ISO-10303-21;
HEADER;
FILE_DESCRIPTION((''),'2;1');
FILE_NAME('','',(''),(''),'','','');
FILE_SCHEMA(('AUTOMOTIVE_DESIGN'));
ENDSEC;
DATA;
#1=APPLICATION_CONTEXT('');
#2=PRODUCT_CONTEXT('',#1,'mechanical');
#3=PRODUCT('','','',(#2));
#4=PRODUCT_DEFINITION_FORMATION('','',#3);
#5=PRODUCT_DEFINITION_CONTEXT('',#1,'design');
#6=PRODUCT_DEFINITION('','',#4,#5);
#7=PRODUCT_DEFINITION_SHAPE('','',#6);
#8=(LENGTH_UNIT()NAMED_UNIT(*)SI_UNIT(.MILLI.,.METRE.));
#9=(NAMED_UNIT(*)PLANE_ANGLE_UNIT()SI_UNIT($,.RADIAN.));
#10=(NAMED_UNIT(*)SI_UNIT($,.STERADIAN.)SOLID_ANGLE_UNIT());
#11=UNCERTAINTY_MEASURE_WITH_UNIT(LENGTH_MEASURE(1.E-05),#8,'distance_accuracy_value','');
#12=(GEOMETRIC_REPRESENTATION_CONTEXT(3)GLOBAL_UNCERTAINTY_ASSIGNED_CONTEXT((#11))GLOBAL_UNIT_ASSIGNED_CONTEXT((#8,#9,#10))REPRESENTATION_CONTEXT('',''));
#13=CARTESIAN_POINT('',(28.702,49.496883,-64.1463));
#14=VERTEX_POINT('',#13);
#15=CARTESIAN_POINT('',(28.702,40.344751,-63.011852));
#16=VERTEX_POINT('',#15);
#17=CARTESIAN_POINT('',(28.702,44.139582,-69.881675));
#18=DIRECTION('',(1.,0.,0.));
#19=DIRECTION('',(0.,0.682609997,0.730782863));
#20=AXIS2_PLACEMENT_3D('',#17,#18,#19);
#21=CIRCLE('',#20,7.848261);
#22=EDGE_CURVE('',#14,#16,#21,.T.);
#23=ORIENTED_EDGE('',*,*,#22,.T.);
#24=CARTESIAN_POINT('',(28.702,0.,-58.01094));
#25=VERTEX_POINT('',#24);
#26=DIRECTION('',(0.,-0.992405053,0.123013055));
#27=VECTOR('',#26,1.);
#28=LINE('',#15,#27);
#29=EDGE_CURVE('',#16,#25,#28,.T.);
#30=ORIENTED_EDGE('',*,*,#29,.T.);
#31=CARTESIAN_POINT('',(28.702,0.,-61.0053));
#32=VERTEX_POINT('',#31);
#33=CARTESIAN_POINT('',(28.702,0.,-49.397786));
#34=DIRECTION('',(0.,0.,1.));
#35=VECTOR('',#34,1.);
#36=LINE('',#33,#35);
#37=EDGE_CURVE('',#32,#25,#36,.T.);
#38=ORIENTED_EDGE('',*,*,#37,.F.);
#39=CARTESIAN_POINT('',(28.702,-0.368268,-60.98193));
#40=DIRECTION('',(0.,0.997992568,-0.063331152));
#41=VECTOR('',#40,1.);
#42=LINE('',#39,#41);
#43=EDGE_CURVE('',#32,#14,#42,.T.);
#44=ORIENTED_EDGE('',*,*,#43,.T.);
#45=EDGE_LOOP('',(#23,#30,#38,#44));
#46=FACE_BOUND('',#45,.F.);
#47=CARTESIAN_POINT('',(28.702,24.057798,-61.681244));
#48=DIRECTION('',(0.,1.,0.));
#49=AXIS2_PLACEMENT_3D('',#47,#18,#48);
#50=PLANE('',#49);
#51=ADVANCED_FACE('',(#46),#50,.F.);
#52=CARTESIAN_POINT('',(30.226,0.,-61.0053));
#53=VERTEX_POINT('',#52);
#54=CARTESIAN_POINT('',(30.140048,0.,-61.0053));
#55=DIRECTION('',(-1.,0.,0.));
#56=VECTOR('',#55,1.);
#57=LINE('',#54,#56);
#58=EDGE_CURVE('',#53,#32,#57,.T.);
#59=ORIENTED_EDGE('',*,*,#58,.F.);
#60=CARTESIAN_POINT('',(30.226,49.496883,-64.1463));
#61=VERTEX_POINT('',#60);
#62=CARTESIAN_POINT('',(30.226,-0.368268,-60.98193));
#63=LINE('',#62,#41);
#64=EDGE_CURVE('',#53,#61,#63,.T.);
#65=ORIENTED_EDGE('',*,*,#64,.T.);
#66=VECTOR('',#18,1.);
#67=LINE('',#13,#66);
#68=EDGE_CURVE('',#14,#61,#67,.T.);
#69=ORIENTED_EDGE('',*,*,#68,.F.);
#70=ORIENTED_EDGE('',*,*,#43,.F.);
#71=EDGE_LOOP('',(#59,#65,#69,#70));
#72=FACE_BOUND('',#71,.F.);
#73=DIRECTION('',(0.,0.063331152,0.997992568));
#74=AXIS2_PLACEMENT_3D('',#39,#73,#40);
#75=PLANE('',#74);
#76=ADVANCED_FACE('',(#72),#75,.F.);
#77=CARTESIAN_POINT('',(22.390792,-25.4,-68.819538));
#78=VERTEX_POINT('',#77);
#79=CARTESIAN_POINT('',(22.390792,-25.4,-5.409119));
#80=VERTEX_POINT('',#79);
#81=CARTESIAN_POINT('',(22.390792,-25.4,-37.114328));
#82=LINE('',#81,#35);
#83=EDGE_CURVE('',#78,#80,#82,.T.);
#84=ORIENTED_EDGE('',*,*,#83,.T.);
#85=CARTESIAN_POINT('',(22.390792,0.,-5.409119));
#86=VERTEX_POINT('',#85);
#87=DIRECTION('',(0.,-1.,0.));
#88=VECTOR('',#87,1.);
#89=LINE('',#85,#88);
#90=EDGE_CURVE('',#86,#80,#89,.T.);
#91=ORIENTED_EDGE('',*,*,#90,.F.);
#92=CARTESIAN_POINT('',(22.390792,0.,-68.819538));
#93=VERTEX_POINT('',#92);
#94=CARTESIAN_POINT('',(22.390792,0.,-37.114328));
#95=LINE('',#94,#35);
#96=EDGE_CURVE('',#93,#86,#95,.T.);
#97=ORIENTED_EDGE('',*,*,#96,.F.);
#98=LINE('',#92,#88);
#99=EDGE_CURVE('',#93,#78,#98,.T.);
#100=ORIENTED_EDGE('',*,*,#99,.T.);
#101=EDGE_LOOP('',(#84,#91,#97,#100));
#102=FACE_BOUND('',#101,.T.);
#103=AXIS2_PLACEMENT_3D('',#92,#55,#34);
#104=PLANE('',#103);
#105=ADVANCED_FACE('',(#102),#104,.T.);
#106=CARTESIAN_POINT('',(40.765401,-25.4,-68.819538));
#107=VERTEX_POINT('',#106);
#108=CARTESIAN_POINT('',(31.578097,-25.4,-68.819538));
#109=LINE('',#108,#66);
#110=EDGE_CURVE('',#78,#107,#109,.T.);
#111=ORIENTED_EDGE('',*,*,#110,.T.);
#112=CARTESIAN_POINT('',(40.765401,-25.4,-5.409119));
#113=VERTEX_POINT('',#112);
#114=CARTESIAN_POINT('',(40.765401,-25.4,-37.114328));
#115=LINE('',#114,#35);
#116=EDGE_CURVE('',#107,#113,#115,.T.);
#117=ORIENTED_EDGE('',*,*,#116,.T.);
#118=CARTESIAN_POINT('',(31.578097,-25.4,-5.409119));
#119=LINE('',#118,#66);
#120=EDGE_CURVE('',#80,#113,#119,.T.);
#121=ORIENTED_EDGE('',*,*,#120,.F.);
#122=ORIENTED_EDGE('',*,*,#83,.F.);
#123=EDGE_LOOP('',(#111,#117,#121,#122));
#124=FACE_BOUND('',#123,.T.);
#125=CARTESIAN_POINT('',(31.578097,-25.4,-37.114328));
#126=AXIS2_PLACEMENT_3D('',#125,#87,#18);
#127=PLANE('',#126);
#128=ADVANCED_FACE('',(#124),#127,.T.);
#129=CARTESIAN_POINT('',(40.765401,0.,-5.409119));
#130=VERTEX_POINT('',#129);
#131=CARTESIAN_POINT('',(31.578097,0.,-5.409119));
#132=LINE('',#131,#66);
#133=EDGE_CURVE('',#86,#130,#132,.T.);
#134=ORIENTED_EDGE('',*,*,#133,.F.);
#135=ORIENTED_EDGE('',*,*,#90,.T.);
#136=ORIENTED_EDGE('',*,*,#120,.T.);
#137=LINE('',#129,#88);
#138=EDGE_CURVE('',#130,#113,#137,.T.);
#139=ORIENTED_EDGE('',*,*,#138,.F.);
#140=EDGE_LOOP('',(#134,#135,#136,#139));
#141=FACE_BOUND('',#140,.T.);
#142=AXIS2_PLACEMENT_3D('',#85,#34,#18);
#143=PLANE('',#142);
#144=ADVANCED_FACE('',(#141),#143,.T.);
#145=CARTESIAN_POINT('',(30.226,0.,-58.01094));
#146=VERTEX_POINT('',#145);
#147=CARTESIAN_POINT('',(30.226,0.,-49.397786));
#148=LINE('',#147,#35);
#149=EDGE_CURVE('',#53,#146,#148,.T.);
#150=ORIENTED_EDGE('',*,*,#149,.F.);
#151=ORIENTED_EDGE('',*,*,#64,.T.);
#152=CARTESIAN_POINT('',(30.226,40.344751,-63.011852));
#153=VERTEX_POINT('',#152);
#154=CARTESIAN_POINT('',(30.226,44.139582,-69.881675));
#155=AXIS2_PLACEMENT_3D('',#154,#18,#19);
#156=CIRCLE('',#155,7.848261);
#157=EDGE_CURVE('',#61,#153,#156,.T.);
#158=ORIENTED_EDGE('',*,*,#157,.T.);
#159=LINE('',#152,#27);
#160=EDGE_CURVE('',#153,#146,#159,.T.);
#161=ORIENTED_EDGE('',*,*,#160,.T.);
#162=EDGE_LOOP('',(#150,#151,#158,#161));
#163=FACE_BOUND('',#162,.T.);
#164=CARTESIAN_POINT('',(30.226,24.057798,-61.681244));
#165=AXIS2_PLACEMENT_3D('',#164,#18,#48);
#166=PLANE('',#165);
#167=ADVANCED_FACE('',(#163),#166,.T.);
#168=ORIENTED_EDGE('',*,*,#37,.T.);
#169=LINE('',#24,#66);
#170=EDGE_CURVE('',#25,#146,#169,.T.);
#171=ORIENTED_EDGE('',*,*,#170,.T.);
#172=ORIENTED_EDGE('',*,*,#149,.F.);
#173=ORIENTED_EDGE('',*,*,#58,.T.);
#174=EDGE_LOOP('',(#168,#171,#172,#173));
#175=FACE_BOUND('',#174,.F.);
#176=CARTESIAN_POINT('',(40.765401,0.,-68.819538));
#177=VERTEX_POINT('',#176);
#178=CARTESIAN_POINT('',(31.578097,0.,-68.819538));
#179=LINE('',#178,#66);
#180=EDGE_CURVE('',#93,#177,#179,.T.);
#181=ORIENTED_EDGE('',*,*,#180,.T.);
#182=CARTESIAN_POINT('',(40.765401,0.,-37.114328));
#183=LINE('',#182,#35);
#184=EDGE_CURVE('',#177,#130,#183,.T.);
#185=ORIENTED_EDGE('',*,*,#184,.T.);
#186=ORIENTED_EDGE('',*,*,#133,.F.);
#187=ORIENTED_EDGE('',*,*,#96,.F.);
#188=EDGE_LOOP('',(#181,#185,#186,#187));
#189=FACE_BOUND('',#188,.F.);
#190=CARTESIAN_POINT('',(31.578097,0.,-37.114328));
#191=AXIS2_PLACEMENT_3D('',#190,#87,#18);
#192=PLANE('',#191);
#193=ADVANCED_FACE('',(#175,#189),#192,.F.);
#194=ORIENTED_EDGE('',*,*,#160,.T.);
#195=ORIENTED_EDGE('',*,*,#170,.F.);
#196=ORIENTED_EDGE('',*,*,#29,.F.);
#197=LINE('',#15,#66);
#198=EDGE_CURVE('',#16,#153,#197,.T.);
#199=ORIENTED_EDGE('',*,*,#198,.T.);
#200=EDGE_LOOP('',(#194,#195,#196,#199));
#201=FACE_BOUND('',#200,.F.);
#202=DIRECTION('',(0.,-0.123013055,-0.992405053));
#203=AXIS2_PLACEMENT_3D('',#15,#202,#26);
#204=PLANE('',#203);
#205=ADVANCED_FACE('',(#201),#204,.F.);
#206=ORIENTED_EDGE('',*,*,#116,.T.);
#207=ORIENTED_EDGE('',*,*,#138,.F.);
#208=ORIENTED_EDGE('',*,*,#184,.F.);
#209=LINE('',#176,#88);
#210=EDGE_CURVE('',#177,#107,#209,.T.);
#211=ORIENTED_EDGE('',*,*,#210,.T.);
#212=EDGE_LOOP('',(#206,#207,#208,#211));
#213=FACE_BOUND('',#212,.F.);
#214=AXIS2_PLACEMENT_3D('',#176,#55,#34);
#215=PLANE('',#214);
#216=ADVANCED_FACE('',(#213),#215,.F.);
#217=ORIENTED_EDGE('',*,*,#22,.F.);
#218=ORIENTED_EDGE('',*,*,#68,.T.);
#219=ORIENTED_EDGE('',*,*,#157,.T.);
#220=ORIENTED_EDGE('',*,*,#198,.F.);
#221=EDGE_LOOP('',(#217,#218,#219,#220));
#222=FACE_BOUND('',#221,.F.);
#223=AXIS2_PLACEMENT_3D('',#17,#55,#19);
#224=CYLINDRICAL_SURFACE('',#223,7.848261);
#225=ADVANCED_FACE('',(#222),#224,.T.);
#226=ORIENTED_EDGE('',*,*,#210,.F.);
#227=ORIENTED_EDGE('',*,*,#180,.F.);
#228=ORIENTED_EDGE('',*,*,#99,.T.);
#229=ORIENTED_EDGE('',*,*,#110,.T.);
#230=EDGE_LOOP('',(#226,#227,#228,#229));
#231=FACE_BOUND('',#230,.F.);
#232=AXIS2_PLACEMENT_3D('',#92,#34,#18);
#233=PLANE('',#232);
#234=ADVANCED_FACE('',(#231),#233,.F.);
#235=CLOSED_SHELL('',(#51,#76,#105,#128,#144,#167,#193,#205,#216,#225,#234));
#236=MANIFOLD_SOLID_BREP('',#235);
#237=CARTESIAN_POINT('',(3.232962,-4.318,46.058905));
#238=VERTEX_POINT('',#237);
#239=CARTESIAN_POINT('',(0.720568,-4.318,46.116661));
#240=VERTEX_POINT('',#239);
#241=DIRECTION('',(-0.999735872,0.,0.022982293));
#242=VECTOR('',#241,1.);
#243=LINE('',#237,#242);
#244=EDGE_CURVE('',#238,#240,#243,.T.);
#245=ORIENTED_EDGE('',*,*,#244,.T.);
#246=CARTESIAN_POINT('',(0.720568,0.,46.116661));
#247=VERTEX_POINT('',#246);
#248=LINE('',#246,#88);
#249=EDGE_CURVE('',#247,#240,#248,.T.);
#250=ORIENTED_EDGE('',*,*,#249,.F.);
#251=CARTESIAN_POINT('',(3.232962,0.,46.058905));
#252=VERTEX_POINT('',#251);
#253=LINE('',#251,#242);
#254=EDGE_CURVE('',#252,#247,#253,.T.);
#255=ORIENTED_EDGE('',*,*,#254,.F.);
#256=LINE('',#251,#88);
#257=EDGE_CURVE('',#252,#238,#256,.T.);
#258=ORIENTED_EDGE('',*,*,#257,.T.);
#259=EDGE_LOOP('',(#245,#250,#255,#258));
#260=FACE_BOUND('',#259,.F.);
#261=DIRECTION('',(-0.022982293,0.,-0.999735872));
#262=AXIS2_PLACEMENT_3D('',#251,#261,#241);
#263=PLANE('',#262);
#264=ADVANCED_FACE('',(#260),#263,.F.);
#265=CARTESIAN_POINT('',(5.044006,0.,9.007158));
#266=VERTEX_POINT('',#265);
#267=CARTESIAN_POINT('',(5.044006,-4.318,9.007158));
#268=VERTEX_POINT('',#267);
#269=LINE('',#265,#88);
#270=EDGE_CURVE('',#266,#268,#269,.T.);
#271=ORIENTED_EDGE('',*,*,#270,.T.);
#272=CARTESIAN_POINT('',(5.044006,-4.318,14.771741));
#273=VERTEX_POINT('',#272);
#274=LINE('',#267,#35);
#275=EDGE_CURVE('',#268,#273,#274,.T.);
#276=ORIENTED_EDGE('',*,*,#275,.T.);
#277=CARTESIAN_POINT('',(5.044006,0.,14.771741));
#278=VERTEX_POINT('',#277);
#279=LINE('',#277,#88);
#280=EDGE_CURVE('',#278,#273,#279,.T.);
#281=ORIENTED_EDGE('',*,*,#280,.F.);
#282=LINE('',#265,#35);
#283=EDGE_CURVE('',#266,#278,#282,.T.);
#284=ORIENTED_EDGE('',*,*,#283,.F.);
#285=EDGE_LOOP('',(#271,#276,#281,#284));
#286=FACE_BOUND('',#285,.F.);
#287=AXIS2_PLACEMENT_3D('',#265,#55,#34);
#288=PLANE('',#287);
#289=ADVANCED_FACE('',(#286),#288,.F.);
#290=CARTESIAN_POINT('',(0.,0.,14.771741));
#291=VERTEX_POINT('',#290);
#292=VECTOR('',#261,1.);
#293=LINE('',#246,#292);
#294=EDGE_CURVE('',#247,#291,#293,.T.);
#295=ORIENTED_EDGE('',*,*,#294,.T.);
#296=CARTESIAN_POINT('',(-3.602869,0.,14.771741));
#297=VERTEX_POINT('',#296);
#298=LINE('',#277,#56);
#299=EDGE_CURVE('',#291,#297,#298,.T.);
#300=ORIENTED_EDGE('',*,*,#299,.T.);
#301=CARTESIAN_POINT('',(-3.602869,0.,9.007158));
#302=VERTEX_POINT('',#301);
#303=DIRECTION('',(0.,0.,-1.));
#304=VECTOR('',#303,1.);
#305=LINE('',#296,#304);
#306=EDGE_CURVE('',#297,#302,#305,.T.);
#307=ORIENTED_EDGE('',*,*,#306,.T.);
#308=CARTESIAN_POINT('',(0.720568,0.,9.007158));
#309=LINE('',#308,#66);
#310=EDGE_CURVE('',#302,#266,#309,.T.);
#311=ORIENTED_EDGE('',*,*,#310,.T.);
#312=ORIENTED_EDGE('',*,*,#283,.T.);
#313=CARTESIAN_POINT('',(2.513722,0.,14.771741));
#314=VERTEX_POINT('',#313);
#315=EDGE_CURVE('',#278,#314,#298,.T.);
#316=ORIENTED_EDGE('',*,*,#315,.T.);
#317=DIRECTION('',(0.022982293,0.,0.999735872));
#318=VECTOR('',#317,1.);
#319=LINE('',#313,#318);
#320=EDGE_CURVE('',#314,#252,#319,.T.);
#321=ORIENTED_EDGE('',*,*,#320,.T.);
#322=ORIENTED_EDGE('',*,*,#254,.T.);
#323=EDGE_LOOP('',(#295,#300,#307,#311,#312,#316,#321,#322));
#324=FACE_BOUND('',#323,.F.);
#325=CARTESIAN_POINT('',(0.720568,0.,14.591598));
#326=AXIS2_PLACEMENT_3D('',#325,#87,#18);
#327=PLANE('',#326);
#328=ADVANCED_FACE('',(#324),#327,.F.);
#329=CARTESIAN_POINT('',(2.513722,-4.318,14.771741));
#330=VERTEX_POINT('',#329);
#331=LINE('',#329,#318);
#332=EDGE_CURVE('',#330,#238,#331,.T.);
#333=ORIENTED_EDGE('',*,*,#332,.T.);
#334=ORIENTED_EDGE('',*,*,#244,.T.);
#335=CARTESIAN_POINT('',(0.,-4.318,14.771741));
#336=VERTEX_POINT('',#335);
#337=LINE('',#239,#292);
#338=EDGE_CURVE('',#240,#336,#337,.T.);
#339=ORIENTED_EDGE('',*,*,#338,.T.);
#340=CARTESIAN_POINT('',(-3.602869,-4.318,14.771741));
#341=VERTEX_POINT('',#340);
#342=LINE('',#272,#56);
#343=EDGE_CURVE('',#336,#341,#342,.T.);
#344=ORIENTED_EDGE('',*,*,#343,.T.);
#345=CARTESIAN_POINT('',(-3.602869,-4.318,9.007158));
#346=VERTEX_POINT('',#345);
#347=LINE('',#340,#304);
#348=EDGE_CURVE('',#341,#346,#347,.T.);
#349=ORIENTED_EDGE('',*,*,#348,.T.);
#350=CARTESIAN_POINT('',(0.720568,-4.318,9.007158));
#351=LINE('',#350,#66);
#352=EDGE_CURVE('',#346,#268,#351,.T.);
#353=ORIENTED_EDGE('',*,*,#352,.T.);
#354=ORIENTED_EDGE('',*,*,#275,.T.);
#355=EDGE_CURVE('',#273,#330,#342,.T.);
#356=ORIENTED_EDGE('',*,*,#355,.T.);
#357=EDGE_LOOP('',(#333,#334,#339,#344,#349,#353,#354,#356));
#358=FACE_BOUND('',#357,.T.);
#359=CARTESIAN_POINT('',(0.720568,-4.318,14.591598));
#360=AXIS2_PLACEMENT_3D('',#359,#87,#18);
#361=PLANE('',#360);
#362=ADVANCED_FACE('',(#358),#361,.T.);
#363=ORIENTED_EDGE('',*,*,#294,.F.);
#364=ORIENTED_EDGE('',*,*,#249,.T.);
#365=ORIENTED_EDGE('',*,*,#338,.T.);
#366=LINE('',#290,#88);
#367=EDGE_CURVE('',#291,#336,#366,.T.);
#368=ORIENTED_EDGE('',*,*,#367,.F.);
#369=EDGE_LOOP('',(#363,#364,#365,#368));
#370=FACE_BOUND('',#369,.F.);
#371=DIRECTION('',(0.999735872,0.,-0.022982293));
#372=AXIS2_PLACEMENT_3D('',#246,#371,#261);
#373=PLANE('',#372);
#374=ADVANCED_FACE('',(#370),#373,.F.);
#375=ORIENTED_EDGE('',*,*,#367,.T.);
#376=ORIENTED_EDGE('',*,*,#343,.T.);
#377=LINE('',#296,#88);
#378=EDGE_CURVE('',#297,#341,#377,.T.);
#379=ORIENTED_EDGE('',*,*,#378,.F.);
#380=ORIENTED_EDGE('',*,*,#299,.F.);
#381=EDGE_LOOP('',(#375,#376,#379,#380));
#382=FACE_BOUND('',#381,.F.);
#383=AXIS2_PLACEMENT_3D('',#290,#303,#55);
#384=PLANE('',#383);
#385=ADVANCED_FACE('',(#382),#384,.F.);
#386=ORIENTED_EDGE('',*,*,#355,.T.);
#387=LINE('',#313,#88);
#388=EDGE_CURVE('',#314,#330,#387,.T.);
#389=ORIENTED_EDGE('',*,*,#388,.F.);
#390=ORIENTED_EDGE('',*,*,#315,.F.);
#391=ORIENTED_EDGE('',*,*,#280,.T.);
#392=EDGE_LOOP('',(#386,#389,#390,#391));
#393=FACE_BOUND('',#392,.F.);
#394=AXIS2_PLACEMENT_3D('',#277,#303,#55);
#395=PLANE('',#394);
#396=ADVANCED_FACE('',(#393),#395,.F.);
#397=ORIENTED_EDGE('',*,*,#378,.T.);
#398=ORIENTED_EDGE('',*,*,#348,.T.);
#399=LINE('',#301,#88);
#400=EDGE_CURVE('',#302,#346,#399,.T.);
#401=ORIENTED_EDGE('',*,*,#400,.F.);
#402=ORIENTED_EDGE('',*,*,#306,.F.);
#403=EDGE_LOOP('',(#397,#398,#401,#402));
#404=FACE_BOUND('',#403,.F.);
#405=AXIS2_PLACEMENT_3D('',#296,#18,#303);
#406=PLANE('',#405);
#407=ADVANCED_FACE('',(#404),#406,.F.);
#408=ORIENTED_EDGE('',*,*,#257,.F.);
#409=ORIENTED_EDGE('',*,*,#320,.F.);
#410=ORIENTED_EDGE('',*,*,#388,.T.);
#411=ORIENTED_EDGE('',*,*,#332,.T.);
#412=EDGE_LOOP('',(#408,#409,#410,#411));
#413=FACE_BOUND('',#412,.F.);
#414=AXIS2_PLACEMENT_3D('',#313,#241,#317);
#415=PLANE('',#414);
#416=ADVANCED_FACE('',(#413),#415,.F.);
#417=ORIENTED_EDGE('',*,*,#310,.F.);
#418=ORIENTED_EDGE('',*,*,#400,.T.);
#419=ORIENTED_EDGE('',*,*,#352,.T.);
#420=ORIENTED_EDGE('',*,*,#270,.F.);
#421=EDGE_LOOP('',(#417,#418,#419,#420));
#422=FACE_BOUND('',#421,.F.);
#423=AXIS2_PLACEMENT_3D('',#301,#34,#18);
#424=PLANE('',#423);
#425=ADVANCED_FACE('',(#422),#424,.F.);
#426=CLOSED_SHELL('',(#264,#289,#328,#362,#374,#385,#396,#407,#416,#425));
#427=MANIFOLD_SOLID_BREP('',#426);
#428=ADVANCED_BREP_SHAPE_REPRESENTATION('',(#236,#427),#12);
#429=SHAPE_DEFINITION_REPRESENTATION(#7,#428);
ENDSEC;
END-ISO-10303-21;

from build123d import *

# Parameters (mm, degrees)
F0_W     = 8.6468746886
F0_H     = 5.4042972624
F1_DEPTH = 4.318
F2_W     = 18.3746088296
F2_H     = 63.4104190394
F3_DEPTH = 25.4
F5_START = 28.702
F5_DEPTH = 1.524


with BuildPart() as f1:
    # F0 (on Front) → F1 (new body)
    with BuildSketch(Plane.XZ):
        Polygon((-3.6028688774, 14.7717408836), (-3.6028688774, 14.4114550203), (5.0440058112, 14.4114550203), (5.0440058112, 14.7717408836), (2.5137216441, 14.7717408836), (0, 14.7717408836), align=None)
        with Locations((0.7205684669, 11.7093063891)):
            Rectangle(F0_W, F0_H)
        Polygon((0.7205684669, 46.1166612804), (0, 14.7717408836), (2.5137216441, 14.7717408836), (3.2329623989, 46.058905452), align=None)
    extrude(amount=F1_DEPTH)


with BuildPart() as f3:
    # F2 (on Front) → F3 (new body)
    with BuildSketch(Plane.XZ):
        with Locations((31.5780965611, -37.1143282391)):
            Rectangle(F2_W, F2_H)
    extrude(amount=F3_DEPTH)

    # F4 (on Right) → F5 (join)
    with BuildSketch(Plane.YZ.offset(F5_START)):
        with BuildLine():
            Line((40.3447512022, -63.0118522667), (0, -58.0109395087))
            Line((0, -58.0109395087), (-0.3682676359, -60.9819303791))
            Line((-0.3682676359, -60.9819303791), (49.4968833778, -64.1463000746))
            ThreePointArc((49.4968833778, -64.1463000746), (45.1050205097, -62.0930208383), (40.3447512022, -63.0118522667))
        make_face()
    extrude(amount=F5_DEPTH)


solid = Compound([f1.part, f3.part])
